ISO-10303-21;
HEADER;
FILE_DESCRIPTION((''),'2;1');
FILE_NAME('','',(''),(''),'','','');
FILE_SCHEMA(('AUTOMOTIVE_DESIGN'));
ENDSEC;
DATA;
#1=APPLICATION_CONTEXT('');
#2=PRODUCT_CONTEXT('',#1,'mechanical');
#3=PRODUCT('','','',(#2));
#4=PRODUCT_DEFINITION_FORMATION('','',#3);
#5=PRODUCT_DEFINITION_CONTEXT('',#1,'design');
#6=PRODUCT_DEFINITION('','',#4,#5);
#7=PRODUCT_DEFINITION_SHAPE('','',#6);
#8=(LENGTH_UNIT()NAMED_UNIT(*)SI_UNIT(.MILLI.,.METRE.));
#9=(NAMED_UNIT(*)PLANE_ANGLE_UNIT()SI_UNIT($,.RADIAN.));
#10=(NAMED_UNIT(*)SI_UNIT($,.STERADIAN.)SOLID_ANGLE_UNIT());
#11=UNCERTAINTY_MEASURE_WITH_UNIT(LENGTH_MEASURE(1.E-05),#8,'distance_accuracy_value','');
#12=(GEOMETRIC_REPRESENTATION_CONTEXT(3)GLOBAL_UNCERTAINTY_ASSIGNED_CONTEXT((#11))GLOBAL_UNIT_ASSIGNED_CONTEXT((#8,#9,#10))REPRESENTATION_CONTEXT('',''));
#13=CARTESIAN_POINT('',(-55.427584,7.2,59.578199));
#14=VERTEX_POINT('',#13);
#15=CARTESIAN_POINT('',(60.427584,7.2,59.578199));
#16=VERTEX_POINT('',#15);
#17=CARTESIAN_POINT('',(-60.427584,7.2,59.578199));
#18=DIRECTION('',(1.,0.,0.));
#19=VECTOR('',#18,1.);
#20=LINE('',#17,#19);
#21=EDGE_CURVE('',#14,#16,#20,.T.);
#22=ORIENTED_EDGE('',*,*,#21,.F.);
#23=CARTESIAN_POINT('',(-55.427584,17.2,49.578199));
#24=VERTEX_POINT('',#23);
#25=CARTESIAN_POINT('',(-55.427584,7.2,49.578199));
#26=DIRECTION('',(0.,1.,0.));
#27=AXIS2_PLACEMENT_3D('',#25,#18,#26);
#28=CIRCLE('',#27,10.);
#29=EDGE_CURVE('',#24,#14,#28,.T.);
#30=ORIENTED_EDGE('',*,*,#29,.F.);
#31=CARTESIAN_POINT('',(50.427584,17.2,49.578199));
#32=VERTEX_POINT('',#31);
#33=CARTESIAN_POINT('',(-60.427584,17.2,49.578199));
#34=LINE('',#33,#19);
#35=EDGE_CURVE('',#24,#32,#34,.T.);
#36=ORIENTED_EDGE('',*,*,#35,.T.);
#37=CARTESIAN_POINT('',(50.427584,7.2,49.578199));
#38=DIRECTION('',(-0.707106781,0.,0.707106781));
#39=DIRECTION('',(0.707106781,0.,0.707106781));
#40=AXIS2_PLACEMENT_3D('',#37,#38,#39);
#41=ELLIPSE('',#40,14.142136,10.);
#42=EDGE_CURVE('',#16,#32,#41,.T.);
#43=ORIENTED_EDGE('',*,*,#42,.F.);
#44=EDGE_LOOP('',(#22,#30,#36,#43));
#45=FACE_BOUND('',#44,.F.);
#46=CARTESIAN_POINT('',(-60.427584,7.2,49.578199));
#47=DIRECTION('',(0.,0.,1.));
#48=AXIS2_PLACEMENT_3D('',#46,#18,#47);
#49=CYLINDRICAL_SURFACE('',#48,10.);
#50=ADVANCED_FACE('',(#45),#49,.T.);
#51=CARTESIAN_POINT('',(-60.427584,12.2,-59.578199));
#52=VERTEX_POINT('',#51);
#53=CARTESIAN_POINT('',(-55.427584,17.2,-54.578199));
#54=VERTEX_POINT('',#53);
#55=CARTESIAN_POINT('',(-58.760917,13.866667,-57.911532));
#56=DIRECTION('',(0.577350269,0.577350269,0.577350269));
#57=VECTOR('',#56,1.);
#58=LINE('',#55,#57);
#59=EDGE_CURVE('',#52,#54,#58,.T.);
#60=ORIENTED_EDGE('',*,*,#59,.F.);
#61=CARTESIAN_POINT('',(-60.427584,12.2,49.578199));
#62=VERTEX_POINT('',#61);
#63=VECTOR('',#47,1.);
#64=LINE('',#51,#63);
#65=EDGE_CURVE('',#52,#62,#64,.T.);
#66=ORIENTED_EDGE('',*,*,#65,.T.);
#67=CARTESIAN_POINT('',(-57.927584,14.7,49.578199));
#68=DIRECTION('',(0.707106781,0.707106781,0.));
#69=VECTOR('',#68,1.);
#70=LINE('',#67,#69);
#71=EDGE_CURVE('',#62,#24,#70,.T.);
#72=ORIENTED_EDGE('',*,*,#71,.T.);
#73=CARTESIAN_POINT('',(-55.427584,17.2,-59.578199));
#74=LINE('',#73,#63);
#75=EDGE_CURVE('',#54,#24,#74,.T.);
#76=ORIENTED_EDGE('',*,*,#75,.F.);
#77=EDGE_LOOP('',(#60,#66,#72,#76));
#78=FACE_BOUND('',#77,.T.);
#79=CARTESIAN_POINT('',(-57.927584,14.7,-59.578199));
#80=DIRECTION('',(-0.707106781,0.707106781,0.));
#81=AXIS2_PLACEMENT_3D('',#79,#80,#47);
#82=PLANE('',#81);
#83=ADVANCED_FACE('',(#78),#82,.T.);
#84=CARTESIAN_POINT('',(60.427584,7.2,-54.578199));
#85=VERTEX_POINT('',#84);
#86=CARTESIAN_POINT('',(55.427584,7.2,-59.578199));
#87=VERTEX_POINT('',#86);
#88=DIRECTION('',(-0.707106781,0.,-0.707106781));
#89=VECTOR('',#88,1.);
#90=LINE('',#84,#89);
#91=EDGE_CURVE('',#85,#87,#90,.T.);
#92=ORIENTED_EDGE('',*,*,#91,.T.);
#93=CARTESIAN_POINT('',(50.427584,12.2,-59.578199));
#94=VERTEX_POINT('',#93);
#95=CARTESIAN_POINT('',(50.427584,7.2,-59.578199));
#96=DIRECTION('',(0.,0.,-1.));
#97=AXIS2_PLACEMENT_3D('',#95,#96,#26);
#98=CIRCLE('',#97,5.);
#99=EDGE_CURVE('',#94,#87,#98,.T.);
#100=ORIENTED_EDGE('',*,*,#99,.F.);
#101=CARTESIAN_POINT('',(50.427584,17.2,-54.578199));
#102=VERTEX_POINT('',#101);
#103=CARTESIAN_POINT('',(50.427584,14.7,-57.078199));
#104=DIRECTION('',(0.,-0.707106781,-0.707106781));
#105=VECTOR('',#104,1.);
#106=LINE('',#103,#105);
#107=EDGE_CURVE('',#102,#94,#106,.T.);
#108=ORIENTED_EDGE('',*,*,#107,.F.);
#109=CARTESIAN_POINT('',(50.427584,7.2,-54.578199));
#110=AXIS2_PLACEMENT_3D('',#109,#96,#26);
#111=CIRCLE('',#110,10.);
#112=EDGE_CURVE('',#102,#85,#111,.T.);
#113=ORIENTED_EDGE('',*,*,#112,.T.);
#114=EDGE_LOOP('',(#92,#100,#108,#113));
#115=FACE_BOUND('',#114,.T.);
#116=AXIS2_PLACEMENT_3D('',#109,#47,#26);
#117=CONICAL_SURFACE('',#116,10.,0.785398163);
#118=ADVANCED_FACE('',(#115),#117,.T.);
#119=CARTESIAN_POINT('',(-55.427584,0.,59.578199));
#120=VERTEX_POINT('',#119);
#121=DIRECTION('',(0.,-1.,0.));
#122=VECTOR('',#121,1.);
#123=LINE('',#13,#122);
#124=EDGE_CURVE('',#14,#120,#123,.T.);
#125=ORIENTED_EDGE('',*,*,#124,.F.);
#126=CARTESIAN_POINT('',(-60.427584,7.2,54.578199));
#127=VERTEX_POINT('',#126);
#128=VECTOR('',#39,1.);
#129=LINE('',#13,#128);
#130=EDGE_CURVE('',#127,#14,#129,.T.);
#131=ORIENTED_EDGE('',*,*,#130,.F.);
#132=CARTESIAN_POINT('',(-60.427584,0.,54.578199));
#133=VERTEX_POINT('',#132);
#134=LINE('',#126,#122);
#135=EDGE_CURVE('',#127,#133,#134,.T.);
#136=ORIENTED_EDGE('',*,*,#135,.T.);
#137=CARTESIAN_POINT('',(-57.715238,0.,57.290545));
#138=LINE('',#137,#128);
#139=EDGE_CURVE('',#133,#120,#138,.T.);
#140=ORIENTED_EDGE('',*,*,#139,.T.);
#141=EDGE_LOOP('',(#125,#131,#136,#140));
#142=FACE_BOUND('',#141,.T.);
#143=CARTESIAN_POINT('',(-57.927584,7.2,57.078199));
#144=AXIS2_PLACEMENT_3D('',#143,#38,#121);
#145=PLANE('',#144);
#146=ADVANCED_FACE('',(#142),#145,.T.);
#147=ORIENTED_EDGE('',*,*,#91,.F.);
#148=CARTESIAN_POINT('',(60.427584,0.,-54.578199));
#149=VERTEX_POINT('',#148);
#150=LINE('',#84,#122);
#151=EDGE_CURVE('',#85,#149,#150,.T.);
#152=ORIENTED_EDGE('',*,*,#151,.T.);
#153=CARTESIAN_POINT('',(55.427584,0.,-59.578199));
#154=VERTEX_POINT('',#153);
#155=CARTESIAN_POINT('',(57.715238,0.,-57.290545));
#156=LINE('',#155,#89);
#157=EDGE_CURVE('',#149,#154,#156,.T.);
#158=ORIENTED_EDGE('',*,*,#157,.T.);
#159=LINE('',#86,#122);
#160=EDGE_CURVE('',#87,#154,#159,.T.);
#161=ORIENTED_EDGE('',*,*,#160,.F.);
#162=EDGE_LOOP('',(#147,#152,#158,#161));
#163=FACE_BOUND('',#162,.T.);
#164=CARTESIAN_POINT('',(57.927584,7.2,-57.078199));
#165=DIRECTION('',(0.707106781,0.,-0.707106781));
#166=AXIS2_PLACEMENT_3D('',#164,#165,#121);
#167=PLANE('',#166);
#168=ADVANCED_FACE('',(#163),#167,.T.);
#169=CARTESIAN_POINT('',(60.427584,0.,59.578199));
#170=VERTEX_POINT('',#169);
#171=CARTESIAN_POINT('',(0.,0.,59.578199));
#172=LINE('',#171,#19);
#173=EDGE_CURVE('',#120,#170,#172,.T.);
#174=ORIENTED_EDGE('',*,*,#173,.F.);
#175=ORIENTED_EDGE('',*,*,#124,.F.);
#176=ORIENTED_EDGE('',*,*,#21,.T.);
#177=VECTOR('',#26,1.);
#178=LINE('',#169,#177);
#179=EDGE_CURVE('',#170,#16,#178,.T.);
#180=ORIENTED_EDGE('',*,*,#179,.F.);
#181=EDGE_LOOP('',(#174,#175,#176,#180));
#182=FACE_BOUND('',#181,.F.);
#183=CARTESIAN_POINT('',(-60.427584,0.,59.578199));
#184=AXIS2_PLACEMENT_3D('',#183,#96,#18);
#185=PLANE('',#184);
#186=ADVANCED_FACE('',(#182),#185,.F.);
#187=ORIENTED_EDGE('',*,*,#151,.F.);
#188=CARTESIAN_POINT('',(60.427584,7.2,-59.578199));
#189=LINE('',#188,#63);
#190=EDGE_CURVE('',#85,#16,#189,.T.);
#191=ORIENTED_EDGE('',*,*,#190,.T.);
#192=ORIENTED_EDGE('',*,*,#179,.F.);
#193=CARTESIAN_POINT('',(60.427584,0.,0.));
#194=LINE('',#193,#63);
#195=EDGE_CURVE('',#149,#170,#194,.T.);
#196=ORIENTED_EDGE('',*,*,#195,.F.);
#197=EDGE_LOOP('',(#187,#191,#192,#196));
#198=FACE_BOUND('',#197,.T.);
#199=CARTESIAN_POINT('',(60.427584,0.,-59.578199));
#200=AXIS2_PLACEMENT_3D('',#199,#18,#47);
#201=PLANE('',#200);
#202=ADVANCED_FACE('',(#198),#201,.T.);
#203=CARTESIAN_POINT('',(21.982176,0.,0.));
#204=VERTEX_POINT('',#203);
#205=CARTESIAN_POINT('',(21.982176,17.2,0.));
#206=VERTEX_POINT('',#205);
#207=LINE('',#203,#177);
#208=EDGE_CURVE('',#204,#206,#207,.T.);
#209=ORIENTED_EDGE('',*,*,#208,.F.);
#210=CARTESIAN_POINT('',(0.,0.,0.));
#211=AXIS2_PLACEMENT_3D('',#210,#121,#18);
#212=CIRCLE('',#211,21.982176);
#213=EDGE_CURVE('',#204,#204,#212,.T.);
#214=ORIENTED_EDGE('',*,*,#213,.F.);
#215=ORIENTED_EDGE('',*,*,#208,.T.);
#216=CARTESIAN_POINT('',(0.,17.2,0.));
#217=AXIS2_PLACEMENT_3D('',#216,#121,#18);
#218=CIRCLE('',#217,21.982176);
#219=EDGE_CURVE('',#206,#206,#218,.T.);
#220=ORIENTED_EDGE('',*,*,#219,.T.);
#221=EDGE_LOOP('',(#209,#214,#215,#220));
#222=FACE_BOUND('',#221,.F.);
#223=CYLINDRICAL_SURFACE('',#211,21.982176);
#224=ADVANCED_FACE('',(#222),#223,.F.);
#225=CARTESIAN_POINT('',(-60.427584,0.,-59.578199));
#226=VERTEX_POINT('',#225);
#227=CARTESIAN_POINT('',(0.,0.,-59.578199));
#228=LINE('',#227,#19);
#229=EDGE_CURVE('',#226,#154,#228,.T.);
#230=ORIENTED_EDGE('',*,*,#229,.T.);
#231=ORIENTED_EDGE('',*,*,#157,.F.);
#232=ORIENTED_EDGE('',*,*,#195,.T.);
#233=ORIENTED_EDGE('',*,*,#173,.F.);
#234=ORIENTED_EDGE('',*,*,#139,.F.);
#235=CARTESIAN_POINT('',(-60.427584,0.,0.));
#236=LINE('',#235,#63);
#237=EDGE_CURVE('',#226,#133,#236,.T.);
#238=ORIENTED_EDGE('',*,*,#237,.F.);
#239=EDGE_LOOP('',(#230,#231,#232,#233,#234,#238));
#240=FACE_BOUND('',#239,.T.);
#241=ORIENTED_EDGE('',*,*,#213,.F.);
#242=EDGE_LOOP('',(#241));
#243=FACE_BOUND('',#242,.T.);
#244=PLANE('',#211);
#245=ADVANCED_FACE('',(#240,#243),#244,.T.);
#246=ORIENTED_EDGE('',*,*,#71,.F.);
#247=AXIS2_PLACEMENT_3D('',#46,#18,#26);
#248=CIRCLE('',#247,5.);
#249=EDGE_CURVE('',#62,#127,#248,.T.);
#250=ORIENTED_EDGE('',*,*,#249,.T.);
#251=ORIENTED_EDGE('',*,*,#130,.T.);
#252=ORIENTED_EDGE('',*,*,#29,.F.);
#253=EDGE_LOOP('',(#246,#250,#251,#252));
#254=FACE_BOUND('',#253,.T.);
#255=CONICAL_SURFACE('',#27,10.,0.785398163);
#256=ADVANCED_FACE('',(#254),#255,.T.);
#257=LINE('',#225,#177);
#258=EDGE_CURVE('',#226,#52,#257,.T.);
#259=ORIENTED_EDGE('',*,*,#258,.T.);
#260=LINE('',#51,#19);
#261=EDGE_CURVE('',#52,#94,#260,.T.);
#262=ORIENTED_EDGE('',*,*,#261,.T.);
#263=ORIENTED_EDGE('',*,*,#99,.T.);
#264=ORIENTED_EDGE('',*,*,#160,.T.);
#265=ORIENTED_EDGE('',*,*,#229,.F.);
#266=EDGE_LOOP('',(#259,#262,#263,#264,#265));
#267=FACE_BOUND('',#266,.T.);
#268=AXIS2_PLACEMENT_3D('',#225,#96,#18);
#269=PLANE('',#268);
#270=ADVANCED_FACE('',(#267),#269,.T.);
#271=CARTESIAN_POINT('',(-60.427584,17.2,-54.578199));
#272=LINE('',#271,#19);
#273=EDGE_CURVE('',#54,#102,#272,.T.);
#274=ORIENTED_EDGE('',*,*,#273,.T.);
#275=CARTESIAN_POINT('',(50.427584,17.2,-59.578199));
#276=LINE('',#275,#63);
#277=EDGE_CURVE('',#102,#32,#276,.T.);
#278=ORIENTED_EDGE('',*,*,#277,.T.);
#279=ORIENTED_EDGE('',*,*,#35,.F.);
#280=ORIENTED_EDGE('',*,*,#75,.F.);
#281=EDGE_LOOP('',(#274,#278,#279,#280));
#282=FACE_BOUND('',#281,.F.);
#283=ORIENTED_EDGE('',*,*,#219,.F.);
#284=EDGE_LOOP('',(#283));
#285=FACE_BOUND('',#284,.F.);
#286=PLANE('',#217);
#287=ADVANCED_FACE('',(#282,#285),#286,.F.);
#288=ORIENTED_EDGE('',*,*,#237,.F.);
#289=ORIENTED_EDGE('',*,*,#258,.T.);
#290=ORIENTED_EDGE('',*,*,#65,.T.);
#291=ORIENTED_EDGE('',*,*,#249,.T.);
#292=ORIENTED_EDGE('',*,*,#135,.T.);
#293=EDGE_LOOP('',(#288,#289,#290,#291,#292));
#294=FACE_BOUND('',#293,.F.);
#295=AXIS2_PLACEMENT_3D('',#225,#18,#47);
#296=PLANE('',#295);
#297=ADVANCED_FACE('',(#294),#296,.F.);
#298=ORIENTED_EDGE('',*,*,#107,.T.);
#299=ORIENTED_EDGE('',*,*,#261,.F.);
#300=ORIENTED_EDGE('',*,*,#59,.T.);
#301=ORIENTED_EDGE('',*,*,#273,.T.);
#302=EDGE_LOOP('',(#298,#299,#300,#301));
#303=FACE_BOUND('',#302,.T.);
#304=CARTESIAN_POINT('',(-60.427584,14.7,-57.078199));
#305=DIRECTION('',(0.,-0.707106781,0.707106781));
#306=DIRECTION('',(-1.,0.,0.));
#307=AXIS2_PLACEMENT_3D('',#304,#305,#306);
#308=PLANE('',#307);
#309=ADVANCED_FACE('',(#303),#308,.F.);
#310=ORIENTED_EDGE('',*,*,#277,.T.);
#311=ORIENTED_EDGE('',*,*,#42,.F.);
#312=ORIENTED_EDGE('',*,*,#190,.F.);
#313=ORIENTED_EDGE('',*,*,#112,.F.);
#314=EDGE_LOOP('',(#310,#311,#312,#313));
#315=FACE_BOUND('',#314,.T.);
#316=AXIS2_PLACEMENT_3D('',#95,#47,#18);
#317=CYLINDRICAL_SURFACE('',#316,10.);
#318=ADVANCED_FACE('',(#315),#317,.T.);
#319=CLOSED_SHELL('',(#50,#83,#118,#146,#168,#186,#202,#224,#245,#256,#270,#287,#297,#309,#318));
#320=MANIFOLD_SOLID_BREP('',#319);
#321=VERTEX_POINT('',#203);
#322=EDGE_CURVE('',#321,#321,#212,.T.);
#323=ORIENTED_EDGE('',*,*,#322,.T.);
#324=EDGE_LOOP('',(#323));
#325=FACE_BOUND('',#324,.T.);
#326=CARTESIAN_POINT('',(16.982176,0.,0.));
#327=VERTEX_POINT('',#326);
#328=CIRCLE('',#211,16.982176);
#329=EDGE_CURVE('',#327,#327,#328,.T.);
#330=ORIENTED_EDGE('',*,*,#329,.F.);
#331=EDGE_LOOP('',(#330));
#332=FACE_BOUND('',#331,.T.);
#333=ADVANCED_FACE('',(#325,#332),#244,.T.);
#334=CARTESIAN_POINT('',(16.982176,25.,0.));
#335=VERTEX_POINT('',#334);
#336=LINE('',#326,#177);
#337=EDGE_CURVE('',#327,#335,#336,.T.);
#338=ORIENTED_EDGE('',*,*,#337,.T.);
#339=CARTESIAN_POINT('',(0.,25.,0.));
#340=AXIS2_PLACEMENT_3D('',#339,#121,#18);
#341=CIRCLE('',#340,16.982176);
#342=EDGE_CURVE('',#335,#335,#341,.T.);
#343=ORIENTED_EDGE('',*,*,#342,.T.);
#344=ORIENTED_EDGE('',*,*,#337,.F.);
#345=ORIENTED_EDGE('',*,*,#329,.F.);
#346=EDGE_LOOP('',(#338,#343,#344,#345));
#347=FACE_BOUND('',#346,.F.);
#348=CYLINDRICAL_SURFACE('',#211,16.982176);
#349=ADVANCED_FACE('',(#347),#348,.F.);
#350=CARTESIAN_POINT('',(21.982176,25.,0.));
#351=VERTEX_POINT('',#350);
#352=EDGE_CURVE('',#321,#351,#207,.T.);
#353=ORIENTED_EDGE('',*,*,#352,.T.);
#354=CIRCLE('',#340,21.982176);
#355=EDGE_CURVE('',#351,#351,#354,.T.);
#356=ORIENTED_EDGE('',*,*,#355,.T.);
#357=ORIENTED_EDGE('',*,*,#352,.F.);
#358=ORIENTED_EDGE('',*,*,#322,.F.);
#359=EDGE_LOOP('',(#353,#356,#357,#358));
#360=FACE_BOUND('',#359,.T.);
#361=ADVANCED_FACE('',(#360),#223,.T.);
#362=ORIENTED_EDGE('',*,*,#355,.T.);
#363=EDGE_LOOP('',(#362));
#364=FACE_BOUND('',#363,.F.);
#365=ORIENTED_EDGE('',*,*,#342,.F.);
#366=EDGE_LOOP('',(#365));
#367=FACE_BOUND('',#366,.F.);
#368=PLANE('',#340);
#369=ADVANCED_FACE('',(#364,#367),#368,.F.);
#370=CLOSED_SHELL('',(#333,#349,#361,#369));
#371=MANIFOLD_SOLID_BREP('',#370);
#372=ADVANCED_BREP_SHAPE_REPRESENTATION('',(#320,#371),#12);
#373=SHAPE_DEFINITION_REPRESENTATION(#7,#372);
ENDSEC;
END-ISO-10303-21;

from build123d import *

# Parameters (mm, degrees)
F0_W     = 120.855168
F0_H     = 119.156398
F0_R     = 21.982176
F1_DEPTH = 17.2
F2_R     = 21.982176
F2_R_2   = 16.982176
F3_DEPTH = 25
F4_R     = 10
F5_SIZE  = 5


with BuildPart() as f1:
    # F0 (on Front) → F1 (new body)
    with BuildSketch(Plane.XZ):
        Rectangle(F0_W, F0_H)
        Circle(F0_R, mode=Mode.SUBTRACT)
    extrude(amount=-F1_DEPTH)

    # F4
    f4_edges = [f1.edges().sort_by_distance(p)[0] for p in [
        (0, 17.2, 59.578199),
        (60.427584, 17.2, 0),
    ]]
    fillet(f4_edges, radius=F4_R)

    # F5
    f5_edges = [f1.edges().sort_by_distance(p)[0] for p in [
        (-60.427584, 17.2, -5),
        (-5, 17.2, -59.578199),
    ]]
    chamfer(f5_edges, length=F5_SIZE)


with BuildPart() as f3:
    # F2 (on Front) → F3 (new body)
    with BuildSketch(Plane.XZ):
        Circle(F2_R)
        Circle(F2_R_2, mode=Mode.SUBTRACT)
    extrude(amount=-F3_DEPTH)


solid = Compound([f1.part, f3.part])
